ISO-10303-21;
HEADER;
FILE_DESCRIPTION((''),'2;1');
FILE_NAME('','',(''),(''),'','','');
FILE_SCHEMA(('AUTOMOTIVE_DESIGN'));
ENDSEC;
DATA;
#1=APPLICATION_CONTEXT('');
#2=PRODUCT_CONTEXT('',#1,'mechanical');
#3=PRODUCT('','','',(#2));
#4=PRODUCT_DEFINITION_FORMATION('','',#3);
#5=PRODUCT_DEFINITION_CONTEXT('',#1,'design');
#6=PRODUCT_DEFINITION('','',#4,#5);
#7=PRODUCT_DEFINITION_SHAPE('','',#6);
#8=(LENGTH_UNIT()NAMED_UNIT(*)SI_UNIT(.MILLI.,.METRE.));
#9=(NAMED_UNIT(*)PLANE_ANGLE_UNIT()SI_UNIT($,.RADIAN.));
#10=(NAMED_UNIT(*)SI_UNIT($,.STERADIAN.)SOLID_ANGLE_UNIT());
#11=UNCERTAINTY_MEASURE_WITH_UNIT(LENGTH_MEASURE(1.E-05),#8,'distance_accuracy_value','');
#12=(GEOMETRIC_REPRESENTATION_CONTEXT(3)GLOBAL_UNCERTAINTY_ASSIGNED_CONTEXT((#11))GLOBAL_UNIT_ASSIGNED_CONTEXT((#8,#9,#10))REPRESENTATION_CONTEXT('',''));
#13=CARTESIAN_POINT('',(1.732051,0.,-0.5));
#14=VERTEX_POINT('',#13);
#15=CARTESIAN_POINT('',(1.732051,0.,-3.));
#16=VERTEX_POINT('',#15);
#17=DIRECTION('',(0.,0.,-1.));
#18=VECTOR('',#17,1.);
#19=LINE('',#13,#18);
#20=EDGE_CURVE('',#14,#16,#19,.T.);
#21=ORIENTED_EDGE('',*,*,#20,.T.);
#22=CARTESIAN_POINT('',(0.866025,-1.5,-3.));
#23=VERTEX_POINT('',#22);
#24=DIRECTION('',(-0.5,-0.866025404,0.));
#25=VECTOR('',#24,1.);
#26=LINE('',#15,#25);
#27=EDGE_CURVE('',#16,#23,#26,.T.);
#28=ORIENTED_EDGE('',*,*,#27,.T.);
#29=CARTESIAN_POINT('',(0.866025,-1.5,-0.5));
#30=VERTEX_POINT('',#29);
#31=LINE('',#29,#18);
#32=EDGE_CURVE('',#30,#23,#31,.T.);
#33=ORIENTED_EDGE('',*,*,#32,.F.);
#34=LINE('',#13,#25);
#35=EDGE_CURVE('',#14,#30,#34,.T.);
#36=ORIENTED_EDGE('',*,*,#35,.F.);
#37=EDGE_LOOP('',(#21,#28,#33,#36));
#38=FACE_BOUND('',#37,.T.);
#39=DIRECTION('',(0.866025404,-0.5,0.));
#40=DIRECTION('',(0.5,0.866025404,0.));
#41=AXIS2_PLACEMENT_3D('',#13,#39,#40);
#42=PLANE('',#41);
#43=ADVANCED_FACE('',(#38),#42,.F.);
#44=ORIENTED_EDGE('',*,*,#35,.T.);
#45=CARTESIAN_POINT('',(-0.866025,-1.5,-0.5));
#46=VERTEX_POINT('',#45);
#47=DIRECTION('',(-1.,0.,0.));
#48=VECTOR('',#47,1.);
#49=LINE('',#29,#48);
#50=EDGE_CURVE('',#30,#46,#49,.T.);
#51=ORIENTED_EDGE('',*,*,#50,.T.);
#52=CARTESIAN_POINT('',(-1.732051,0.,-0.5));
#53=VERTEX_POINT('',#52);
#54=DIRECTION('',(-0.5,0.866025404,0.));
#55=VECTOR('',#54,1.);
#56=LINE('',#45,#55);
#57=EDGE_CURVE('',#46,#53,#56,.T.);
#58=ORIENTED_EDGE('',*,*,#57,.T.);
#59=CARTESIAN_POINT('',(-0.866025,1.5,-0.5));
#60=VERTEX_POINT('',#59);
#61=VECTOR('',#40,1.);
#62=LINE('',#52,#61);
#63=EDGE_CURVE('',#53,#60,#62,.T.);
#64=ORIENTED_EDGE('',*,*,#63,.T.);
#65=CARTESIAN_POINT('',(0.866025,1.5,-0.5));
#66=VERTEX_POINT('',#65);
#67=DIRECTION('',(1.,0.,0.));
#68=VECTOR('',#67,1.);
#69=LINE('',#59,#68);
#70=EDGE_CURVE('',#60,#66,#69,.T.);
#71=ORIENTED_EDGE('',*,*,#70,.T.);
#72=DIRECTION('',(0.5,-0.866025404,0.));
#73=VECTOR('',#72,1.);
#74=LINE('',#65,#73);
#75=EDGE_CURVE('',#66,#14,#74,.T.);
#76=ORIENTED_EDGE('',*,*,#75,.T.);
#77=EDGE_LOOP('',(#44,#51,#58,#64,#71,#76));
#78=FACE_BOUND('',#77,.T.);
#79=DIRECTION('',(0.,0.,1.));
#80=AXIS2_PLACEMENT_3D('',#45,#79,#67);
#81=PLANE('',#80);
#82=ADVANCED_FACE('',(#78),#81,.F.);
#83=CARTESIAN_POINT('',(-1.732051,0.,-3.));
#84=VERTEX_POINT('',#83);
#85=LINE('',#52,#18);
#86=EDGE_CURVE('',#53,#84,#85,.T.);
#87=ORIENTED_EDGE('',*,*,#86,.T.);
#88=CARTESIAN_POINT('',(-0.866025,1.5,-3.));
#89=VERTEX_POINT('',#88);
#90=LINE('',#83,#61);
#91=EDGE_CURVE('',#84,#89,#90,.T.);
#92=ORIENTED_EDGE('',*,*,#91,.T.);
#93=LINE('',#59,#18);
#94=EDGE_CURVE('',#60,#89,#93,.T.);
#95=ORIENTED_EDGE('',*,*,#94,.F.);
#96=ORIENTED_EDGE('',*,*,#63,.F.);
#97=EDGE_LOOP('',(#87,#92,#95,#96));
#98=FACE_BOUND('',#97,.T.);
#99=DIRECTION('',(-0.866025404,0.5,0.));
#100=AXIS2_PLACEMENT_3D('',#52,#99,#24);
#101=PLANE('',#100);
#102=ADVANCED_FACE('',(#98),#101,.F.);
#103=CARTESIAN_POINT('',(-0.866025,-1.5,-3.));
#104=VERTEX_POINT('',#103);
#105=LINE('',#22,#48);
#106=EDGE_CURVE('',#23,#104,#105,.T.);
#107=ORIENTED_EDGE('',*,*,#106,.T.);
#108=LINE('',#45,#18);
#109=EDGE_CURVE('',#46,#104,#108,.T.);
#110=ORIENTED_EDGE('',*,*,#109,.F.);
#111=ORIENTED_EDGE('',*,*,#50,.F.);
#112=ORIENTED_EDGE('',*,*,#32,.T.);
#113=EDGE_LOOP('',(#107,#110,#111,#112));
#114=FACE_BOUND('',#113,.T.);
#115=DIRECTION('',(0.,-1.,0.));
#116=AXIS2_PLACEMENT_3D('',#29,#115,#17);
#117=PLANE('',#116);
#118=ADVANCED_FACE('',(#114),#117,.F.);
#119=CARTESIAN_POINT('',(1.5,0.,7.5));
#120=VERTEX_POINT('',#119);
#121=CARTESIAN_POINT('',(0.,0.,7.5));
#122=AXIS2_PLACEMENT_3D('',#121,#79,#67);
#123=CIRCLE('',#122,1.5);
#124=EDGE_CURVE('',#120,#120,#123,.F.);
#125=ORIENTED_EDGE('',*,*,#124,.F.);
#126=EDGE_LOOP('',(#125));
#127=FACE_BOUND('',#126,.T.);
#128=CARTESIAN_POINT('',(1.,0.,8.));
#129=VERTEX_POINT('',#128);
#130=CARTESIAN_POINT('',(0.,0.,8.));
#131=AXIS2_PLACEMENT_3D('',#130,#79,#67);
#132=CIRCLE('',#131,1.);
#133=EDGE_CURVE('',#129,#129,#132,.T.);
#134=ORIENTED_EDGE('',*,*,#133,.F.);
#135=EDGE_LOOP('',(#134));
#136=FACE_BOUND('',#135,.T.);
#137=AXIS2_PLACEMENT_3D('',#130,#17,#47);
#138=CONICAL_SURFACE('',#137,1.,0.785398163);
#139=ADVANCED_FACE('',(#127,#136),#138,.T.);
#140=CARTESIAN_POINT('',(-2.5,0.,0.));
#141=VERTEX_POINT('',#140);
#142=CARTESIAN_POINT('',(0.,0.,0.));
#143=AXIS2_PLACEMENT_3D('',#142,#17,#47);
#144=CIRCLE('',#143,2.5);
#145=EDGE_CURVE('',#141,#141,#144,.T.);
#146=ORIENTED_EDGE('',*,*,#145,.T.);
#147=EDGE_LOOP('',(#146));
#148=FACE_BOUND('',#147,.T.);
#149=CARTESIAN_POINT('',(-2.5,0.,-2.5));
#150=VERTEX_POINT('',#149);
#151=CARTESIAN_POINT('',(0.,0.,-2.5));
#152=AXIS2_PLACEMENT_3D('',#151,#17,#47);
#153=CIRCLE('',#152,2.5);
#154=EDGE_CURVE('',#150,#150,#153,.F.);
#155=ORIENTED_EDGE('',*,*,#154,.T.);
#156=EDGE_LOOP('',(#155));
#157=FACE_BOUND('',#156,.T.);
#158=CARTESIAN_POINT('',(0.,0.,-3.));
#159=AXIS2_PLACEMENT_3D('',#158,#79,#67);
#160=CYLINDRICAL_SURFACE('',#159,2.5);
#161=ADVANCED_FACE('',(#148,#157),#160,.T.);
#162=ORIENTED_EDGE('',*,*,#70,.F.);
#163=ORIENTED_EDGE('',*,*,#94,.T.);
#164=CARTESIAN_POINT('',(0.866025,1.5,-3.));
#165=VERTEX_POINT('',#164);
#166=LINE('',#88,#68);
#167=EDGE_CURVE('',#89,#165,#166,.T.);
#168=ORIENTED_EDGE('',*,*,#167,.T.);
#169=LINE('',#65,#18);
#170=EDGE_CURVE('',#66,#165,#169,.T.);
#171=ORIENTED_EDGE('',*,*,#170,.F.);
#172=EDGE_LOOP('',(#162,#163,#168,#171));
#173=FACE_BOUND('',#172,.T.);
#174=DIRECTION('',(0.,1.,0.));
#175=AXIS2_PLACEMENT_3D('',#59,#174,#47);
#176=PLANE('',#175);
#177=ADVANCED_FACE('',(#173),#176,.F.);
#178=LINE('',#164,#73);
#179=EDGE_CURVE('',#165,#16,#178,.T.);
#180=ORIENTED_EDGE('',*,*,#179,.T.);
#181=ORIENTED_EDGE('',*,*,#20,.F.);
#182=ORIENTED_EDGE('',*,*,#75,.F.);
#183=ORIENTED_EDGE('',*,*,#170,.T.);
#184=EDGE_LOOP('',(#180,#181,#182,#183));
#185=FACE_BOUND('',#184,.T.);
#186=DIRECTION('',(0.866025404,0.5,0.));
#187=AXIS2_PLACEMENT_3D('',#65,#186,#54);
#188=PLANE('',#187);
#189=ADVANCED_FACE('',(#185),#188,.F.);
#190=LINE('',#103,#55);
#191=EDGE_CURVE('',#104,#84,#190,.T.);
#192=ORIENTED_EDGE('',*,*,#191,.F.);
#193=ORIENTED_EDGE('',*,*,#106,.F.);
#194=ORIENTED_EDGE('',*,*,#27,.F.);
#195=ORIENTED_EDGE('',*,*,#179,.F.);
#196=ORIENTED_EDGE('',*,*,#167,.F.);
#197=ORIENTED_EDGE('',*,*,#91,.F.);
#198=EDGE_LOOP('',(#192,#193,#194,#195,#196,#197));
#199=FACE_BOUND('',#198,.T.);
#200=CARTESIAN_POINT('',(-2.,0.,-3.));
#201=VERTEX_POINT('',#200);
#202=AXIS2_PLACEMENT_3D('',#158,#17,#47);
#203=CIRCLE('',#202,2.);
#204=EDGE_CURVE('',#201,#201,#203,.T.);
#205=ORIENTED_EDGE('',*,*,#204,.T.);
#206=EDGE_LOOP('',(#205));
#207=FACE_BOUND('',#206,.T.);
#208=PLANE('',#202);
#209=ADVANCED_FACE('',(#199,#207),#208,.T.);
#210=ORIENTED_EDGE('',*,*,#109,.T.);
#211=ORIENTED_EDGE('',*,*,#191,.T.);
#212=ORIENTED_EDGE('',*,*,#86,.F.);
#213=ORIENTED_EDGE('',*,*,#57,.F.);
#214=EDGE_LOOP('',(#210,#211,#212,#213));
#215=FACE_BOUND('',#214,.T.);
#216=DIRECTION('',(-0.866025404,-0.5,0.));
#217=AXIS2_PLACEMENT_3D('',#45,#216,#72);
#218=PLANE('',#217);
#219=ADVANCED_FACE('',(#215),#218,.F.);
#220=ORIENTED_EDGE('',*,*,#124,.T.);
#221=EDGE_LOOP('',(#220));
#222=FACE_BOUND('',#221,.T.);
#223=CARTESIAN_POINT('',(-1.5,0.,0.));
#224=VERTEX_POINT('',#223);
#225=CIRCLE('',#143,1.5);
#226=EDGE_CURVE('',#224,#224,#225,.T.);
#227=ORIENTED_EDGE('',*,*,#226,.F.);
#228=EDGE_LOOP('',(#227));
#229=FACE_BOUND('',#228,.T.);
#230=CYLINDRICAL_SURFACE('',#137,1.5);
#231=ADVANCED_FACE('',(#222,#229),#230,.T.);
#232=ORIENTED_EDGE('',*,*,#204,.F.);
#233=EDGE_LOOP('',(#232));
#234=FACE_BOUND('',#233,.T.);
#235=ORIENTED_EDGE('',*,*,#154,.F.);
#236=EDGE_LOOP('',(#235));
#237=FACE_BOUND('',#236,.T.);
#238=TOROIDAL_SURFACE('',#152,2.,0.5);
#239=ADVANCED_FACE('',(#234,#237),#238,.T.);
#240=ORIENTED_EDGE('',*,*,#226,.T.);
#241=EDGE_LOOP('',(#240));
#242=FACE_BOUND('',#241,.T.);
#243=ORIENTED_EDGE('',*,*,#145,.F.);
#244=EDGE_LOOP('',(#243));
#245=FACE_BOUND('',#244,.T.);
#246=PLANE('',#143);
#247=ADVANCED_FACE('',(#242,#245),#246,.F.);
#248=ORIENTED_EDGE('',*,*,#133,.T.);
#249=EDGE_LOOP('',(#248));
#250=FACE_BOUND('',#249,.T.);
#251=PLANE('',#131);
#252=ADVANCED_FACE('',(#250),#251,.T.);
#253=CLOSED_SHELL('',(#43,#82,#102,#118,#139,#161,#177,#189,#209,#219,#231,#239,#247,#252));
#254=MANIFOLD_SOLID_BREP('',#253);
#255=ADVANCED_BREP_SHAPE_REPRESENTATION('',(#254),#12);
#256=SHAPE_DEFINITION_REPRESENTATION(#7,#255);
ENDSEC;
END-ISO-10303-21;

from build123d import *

# Parameters (mm, degrees)
ESQUISSE1_R             = 1.5
BASE_EXTRUSION_DEPTH    = 8
CHANFREIN1_SIZE         = 0.5
ESQUISSE2_R             = 2.5
BOSS_EXTRU_1_DEPTH      = 3
CONG_1_R                = 0.5
ENL_V_MAT_EXTRU_1_DEPTH = 2.5


with BuildPart() as part:
    # Esquisse1 → Base-Extrusion (new body)
    with BuildSketch(Plane.XY):
        Circle(ESQUISSE1_R)
    extrude(amount=BASE_EXTRUSION_DEPTH)

    # Chanfrein1
    chanfrein1_edges = [part.edges().sort_by_distance(p)[0] for p in [
        (-1.5, 0, 8),
    ]]
    chamfer(chanfrein1_edges, length=CHANFREIN1_SIZE)

    # Esquisse2 → Boss.-Extru.1 (add)
    with BuildSketch(Plane(origin=(0, 0, 0), x_dir=(-1, 0, 0), z_dir=(0, 0, -1))):
        Circle(ESQUISSE2_R)
    extrude(amount=BOSS_EXTRU_1_DEPTH)

    # Congé1
    cong_1_edges = [part.edges().sort_by_distance(p)[0] for p in [
        (2.5, 0, -3),
    ]]
    fillet(cong_1_edges, radius=CONG_1_R)

    # Esquisse3 → Enlèv. mat.-Extru.1 (cut)
    with BuildSketch(Plane(origin=(0, 0, -3), x_dir=(-1, 0, 0), z_dir=(0, 0, -1))):
        Polygon((1.732050808, 0), (0.866025404, 1.5), (-0.866025404, 1.5), (-1.732050808, 0), (-0.866025404, -1.5), (0.866025404, -1.5), align=None)
    extrude(amount=-ENL_V_MAT_EXTRU_1_DEPTH, mode=Mode.SUBTRACT)


solid = part.part
